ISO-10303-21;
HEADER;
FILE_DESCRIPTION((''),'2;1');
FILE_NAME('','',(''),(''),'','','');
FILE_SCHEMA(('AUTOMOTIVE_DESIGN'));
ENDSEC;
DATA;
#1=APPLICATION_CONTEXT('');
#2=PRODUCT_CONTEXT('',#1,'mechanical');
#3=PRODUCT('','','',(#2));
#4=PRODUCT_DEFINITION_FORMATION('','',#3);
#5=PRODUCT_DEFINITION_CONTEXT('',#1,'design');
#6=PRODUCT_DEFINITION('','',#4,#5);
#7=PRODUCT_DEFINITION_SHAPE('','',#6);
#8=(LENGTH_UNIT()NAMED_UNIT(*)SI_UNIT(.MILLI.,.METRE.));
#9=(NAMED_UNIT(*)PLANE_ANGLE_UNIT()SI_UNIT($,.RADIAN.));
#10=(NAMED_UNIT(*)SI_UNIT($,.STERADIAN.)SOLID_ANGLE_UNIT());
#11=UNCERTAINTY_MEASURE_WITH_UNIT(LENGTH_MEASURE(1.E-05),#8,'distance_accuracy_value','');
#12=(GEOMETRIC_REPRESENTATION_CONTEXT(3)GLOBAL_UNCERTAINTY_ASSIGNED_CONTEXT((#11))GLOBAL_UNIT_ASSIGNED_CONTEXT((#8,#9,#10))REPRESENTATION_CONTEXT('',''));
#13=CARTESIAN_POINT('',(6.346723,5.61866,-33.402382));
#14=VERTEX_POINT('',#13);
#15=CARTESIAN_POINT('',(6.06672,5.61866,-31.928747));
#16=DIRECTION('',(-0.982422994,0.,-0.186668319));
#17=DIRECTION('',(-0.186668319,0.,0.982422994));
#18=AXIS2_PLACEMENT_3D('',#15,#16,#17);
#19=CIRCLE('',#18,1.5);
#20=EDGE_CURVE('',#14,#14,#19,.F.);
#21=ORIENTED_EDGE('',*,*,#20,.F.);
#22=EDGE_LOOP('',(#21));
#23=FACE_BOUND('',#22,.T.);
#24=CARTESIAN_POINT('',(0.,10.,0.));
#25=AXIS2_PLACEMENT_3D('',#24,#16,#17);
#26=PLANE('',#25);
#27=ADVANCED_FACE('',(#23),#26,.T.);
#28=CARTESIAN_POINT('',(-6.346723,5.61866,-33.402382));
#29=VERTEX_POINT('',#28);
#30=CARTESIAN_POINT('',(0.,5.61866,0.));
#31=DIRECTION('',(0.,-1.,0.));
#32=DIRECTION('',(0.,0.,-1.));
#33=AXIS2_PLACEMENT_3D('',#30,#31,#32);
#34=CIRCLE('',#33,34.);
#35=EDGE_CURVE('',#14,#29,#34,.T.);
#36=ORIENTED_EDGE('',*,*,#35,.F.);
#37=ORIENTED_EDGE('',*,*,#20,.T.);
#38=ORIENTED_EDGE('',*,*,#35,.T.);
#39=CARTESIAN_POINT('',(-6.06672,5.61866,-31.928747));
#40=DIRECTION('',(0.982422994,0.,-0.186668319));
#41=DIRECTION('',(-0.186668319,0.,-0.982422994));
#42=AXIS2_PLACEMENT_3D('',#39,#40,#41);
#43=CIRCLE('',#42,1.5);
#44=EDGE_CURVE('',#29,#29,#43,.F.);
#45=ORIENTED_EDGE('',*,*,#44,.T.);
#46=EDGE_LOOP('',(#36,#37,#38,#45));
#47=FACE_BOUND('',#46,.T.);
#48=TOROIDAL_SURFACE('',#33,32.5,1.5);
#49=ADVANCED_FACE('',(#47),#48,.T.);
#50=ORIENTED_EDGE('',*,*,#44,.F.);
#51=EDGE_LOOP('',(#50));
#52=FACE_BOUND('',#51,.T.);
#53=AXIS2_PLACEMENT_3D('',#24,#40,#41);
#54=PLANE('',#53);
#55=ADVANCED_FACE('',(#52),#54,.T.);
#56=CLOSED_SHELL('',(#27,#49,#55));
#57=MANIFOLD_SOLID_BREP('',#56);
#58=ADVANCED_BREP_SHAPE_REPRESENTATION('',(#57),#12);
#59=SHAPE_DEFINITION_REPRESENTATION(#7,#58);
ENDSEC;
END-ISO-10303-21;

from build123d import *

# Parameters (mm, degrees)
ESBO_O1_R                  = 1.5
CORTE_EXTRUS_O1_DEPTH      = 10
CORTE_EXTRUS_O1_DEPTH_BACK = 10


with BuildPart() as part:
    # Esboço1 → Revolução1 (revolve)
    with BuildSketch(Plane.XY):
        with Locations((32.5, 5.618660022)):
            Circle(ESBO_O1_R)
    revolve(axis=Axis((0, -35.505149502, 0), (0, 1, 0)))

    # Esboço2 → Corte-extrusão1 (cut, two sides: drawn at the far end of the back side and taken through both)
    with BuildSketch(Plane(origin=(0, 0, 0), x_dir=(1, 0, 0), z_dir=(0, 1, 0)).offset(-CORTE_EXTRUS_O1_DEPTH_BACK)):
        Polygon((0, 0), (7.5, 39.472002965), (-7.5, 39.472002965), align=None)
    extrude(amount=CORTE_EXTRUS_O1_DEPTH + CORTE_EXTRUS_O1_DEPTH_BACK, mode=Mode.SUBTRACT)


solid = part.part
